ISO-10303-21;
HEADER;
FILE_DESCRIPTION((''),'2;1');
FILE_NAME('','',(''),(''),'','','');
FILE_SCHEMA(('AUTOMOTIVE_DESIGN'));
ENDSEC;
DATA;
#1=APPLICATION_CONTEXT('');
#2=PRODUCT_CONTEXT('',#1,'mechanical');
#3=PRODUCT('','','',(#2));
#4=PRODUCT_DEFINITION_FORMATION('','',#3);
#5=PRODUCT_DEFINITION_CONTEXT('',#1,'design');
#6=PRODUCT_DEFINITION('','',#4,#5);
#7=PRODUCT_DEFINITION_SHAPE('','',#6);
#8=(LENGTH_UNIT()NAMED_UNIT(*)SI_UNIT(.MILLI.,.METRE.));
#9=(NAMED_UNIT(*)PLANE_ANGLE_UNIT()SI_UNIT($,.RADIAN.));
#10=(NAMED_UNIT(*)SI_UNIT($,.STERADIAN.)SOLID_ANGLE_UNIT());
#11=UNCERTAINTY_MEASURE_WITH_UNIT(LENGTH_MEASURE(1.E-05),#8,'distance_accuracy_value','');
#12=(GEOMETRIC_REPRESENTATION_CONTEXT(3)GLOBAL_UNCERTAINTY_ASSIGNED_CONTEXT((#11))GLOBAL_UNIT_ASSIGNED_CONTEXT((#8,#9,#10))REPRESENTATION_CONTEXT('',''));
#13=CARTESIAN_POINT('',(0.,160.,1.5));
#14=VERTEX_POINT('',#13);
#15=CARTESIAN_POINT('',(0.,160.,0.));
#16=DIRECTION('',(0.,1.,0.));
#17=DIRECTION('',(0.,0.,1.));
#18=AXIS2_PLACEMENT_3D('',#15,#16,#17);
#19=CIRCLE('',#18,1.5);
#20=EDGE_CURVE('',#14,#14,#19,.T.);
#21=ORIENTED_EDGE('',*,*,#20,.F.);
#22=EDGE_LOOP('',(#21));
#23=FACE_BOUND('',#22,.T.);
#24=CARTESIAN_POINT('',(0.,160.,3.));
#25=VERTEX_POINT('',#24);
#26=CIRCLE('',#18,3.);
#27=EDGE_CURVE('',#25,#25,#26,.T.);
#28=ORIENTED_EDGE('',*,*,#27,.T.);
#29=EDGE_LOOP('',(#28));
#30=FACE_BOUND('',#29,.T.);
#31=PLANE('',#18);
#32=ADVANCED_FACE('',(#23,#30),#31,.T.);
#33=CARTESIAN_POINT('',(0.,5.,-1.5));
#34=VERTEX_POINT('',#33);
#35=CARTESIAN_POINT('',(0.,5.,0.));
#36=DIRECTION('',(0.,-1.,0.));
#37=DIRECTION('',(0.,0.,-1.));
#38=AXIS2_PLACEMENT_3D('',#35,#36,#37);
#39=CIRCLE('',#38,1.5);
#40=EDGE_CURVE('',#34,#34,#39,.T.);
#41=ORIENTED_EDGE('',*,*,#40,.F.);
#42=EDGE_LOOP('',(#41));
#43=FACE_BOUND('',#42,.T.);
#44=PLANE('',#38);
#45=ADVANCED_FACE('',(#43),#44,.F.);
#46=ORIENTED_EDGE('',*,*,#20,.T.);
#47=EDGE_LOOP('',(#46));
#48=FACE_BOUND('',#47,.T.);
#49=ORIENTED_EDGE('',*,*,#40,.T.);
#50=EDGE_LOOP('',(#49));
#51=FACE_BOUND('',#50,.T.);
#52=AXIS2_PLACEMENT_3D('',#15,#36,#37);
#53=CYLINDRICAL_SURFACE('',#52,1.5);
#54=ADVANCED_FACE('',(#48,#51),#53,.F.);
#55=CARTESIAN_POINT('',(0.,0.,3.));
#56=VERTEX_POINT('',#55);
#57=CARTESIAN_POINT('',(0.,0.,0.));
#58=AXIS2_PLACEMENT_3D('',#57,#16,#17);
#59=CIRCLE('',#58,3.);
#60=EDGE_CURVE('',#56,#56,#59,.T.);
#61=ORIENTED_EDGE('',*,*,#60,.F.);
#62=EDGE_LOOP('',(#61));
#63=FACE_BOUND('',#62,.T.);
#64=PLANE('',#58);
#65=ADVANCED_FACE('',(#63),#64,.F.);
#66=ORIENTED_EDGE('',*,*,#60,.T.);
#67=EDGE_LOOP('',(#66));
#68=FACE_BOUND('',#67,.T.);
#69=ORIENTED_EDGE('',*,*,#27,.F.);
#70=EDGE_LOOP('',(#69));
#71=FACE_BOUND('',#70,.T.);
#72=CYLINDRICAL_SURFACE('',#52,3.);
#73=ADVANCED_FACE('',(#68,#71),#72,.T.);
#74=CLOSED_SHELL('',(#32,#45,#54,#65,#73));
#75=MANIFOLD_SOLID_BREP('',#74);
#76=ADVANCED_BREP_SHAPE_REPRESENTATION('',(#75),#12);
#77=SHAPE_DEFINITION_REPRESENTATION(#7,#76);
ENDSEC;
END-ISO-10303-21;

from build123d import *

# Parameters (mm, degrees)
SKETCH1_R           = 3
SKETCH1_R_2         = 1.5
BOSS_EXTRUDE1_DEPTH = 160
SKETCH2_R           = 3
BOSS_EXTRUDE2_DEPTH = 5


with BuildPart() as part:
    # Sketch1 → Boss-Extrude1 (new body)
    with BuildSketch(Plane(origin=(0, 0, 0), x_dir=(1, 0, 0), z_dir=(0, 1, 0))):
        with Locations(Location((0, 0, 0), (0, 0, 270))):
            Circle(SKETCH1_R)
        with Locations(Location((0, 0, 0), (0, 0, 270))):
            Circle(SKETCH1_R_2, mode=Mode.SUBTRACT)
    extrude(amount=BOSS_EXTRUDE1_DEPTH)

    # Sketch2 → Boss-Extrude2 (add)
    with BuildSketch(Plane.XZ):
        with Locations(Location((0, 0, 0), (0, 0, 90))):
            Circle(SKETCH2_R)
    extrude(amount=-BOSS_EXTRUDE2_DEPTH)


solid = part.part
